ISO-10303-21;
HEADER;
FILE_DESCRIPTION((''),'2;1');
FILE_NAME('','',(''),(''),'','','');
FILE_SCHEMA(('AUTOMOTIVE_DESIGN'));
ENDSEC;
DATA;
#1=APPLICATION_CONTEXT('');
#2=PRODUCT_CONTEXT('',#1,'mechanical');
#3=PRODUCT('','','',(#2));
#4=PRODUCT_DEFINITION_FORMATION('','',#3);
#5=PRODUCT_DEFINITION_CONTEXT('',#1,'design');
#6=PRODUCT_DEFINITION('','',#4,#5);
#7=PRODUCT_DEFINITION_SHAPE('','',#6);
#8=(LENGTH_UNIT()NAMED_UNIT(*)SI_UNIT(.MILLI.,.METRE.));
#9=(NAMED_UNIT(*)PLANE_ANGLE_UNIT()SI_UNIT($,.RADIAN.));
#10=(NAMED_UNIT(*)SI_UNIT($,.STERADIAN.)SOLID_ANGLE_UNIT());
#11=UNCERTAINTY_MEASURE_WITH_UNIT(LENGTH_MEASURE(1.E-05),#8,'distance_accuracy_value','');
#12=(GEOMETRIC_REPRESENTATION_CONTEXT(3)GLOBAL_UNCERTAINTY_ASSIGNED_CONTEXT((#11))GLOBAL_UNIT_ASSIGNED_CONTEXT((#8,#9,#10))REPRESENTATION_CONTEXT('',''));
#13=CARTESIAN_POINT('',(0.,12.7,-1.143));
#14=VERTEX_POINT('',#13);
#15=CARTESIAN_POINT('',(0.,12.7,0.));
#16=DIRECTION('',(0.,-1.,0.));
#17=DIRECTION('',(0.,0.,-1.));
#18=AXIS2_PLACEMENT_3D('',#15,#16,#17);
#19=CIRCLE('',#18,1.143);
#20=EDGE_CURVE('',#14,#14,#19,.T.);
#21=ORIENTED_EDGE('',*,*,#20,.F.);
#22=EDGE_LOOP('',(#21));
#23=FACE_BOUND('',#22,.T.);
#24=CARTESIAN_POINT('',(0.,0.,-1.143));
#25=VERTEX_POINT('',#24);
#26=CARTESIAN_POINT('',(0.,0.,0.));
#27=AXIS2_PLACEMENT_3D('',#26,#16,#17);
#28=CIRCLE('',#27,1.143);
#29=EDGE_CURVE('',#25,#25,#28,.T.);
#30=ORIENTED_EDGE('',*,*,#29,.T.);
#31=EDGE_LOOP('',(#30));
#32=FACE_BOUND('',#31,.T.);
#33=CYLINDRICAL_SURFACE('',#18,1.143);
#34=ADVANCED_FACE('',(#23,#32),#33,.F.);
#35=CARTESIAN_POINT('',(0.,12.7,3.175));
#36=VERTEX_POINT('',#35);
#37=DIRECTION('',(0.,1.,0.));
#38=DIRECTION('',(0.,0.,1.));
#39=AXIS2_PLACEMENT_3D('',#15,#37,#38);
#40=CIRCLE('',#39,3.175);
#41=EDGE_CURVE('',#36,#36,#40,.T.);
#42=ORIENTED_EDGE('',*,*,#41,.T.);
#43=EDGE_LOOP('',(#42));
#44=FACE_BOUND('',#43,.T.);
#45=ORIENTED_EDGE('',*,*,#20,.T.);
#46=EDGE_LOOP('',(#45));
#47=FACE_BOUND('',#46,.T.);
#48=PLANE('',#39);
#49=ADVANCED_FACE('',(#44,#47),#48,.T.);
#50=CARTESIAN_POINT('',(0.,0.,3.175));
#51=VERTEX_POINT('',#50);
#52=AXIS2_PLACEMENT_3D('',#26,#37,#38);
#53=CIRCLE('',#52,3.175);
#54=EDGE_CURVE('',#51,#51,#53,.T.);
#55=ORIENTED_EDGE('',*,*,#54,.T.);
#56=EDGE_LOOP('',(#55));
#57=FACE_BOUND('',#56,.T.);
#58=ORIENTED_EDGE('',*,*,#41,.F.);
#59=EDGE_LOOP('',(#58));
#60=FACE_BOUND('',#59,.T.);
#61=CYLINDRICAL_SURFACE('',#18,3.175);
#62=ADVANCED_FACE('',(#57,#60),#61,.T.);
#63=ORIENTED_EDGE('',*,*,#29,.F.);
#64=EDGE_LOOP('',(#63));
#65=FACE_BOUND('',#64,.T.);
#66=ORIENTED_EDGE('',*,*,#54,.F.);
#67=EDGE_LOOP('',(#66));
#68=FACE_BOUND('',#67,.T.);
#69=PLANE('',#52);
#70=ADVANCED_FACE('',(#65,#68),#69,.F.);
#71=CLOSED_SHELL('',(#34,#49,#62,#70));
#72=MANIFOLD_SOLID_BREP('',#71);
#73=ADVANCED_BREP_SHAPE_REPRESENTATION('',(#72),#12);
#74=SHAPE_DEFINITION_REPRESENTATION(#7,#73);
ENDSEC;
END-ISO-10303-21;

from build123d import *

# Parameters (mm, degrees)
SKETCH1_R           = 3.175
BOSS_EXTRUDE3_DEPTH = 12.7
SKETCH2_R           = 1.143
CUT_EXTRUDE1_DEPTH  = 12.7


with BuildPart() as part:
    # Sketch1 → Boss-Extrude3 (new body)
    with BuildSketch(Plane(origin=(0, 0, 0), x_dir=(1, 0, 0), z_dir=(0, 1, 0))):
        with Locations(Location((0, 0, 0), (0, 0, 270))):
            Circle(SKETCH1_R)
    extrude(amount=BOSS_EXTRUDE3_DEPTH)

    # Sketch2 → Cut-Extrude1 (cut)
    with BuildSketch(Plane(origin=(0, 0, 0), x_dir=(-1, 0, 0), z_dir=(0, -1, 0))):
        with Locations(Location((0, 0, 0), (0, 0, 90))):
            Circle(SKETCH2_R)
    extrude(amount=-CUT_EXTRUDE1_DEPTH, mode=Mode.SUBTRACT)


solid = part.part
